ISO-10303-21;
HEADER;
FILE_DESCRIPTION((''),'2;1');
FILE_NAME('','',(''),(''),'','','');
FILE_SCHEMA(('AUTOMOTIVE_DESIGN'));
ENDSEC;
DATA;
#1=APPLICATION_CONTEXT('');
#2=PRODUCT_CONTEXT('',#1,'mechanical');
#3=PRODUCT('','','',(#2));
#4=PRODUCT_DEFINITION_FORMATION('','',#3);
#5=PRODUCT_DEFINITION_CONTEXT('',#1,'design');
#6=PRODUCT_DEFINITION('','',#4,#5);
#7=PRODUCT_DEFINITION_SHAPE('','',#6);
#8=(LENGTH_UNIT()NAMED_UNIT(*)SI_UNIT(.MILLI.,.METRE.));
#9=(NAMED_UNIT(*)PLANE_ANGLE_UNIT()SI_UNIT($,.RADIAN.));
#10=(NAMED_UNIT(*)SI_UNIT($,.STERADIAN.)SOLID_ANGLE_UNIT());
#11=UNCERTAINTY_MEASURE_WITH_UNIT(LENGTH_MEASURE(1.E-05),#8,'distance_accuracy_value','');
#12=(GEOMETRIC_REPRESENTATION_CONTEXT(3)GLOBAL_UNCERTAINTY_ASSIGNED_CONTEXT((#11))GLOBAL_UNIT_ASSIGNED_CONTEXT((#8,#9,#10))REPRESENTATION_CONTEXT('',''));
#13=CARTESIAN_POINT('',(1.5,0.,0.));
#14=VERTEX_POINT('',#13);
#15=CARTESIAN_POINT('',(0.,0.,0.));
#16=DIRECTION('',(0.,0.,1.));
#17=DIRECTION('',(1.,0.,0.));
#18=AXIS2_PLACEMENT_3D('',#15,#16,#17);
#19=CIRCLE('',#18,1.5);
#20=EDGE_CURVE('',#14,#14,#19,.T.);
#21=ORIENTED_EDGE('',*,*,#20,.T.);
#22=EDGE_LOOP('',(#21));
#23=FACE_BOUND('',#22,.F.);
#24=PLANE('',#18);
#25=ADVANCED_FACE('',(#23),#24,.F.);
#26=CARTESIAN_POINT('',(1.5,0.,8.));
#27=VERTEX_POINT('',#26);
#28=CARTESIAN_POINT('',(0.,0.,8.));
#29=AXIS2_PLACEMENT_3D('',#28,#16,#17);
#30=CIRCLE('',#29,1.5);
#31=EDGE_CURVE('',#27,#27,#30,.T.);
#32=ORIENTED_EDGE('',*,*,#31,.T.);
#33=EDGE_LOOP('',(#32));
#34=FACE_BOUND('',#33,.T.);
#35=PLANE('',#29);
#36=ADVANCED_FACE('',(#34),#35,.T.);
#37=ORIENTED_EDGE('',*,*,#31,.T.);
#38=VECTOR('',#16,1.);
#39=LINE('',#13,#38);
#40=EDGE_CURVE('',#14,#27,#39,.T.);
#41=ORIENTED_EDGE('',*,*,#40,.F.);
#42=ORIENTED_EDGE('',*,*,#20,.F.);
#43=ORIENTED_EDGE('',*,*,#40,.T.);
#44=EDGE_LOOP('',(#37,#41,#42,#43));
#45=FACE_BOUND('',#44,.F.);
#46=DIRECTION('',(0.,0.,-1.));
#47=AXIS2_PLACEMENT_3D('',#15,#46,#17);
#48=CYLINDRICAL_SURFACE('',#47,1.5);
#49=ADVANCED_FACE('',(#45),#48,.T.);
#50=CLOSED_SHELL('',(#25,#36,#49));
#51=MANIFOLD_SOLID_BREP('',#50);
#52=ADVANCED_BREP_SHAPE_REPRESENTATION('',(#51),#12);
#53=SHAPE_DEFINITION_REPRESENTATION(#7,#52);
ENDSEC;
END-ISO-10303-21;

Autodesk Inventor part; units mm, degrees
ref_plane "YZ Plane" through (0, 0, 0) normal (1, 0, 0) x (0, 1, 0)
ref_plane "XZ Plane" through (0, 0, 0) normal (0, 1, 0) x (-1, 0, 0)
ref_plane "XY Plane" through (0, 0, 0) normal (0, 0, 1) x (1, 0, 0)
sketch "Esboço1" plane through (0, 0, 0) normal (0, 0, 1) x (1, 0, 0)
  circle A0 centre (0, 0) radius 1.5
  dimension "d0" = 3
extrude "Extrusão1" add sketch "Esboço1" along normal blind 8
properties part number "Pino"
